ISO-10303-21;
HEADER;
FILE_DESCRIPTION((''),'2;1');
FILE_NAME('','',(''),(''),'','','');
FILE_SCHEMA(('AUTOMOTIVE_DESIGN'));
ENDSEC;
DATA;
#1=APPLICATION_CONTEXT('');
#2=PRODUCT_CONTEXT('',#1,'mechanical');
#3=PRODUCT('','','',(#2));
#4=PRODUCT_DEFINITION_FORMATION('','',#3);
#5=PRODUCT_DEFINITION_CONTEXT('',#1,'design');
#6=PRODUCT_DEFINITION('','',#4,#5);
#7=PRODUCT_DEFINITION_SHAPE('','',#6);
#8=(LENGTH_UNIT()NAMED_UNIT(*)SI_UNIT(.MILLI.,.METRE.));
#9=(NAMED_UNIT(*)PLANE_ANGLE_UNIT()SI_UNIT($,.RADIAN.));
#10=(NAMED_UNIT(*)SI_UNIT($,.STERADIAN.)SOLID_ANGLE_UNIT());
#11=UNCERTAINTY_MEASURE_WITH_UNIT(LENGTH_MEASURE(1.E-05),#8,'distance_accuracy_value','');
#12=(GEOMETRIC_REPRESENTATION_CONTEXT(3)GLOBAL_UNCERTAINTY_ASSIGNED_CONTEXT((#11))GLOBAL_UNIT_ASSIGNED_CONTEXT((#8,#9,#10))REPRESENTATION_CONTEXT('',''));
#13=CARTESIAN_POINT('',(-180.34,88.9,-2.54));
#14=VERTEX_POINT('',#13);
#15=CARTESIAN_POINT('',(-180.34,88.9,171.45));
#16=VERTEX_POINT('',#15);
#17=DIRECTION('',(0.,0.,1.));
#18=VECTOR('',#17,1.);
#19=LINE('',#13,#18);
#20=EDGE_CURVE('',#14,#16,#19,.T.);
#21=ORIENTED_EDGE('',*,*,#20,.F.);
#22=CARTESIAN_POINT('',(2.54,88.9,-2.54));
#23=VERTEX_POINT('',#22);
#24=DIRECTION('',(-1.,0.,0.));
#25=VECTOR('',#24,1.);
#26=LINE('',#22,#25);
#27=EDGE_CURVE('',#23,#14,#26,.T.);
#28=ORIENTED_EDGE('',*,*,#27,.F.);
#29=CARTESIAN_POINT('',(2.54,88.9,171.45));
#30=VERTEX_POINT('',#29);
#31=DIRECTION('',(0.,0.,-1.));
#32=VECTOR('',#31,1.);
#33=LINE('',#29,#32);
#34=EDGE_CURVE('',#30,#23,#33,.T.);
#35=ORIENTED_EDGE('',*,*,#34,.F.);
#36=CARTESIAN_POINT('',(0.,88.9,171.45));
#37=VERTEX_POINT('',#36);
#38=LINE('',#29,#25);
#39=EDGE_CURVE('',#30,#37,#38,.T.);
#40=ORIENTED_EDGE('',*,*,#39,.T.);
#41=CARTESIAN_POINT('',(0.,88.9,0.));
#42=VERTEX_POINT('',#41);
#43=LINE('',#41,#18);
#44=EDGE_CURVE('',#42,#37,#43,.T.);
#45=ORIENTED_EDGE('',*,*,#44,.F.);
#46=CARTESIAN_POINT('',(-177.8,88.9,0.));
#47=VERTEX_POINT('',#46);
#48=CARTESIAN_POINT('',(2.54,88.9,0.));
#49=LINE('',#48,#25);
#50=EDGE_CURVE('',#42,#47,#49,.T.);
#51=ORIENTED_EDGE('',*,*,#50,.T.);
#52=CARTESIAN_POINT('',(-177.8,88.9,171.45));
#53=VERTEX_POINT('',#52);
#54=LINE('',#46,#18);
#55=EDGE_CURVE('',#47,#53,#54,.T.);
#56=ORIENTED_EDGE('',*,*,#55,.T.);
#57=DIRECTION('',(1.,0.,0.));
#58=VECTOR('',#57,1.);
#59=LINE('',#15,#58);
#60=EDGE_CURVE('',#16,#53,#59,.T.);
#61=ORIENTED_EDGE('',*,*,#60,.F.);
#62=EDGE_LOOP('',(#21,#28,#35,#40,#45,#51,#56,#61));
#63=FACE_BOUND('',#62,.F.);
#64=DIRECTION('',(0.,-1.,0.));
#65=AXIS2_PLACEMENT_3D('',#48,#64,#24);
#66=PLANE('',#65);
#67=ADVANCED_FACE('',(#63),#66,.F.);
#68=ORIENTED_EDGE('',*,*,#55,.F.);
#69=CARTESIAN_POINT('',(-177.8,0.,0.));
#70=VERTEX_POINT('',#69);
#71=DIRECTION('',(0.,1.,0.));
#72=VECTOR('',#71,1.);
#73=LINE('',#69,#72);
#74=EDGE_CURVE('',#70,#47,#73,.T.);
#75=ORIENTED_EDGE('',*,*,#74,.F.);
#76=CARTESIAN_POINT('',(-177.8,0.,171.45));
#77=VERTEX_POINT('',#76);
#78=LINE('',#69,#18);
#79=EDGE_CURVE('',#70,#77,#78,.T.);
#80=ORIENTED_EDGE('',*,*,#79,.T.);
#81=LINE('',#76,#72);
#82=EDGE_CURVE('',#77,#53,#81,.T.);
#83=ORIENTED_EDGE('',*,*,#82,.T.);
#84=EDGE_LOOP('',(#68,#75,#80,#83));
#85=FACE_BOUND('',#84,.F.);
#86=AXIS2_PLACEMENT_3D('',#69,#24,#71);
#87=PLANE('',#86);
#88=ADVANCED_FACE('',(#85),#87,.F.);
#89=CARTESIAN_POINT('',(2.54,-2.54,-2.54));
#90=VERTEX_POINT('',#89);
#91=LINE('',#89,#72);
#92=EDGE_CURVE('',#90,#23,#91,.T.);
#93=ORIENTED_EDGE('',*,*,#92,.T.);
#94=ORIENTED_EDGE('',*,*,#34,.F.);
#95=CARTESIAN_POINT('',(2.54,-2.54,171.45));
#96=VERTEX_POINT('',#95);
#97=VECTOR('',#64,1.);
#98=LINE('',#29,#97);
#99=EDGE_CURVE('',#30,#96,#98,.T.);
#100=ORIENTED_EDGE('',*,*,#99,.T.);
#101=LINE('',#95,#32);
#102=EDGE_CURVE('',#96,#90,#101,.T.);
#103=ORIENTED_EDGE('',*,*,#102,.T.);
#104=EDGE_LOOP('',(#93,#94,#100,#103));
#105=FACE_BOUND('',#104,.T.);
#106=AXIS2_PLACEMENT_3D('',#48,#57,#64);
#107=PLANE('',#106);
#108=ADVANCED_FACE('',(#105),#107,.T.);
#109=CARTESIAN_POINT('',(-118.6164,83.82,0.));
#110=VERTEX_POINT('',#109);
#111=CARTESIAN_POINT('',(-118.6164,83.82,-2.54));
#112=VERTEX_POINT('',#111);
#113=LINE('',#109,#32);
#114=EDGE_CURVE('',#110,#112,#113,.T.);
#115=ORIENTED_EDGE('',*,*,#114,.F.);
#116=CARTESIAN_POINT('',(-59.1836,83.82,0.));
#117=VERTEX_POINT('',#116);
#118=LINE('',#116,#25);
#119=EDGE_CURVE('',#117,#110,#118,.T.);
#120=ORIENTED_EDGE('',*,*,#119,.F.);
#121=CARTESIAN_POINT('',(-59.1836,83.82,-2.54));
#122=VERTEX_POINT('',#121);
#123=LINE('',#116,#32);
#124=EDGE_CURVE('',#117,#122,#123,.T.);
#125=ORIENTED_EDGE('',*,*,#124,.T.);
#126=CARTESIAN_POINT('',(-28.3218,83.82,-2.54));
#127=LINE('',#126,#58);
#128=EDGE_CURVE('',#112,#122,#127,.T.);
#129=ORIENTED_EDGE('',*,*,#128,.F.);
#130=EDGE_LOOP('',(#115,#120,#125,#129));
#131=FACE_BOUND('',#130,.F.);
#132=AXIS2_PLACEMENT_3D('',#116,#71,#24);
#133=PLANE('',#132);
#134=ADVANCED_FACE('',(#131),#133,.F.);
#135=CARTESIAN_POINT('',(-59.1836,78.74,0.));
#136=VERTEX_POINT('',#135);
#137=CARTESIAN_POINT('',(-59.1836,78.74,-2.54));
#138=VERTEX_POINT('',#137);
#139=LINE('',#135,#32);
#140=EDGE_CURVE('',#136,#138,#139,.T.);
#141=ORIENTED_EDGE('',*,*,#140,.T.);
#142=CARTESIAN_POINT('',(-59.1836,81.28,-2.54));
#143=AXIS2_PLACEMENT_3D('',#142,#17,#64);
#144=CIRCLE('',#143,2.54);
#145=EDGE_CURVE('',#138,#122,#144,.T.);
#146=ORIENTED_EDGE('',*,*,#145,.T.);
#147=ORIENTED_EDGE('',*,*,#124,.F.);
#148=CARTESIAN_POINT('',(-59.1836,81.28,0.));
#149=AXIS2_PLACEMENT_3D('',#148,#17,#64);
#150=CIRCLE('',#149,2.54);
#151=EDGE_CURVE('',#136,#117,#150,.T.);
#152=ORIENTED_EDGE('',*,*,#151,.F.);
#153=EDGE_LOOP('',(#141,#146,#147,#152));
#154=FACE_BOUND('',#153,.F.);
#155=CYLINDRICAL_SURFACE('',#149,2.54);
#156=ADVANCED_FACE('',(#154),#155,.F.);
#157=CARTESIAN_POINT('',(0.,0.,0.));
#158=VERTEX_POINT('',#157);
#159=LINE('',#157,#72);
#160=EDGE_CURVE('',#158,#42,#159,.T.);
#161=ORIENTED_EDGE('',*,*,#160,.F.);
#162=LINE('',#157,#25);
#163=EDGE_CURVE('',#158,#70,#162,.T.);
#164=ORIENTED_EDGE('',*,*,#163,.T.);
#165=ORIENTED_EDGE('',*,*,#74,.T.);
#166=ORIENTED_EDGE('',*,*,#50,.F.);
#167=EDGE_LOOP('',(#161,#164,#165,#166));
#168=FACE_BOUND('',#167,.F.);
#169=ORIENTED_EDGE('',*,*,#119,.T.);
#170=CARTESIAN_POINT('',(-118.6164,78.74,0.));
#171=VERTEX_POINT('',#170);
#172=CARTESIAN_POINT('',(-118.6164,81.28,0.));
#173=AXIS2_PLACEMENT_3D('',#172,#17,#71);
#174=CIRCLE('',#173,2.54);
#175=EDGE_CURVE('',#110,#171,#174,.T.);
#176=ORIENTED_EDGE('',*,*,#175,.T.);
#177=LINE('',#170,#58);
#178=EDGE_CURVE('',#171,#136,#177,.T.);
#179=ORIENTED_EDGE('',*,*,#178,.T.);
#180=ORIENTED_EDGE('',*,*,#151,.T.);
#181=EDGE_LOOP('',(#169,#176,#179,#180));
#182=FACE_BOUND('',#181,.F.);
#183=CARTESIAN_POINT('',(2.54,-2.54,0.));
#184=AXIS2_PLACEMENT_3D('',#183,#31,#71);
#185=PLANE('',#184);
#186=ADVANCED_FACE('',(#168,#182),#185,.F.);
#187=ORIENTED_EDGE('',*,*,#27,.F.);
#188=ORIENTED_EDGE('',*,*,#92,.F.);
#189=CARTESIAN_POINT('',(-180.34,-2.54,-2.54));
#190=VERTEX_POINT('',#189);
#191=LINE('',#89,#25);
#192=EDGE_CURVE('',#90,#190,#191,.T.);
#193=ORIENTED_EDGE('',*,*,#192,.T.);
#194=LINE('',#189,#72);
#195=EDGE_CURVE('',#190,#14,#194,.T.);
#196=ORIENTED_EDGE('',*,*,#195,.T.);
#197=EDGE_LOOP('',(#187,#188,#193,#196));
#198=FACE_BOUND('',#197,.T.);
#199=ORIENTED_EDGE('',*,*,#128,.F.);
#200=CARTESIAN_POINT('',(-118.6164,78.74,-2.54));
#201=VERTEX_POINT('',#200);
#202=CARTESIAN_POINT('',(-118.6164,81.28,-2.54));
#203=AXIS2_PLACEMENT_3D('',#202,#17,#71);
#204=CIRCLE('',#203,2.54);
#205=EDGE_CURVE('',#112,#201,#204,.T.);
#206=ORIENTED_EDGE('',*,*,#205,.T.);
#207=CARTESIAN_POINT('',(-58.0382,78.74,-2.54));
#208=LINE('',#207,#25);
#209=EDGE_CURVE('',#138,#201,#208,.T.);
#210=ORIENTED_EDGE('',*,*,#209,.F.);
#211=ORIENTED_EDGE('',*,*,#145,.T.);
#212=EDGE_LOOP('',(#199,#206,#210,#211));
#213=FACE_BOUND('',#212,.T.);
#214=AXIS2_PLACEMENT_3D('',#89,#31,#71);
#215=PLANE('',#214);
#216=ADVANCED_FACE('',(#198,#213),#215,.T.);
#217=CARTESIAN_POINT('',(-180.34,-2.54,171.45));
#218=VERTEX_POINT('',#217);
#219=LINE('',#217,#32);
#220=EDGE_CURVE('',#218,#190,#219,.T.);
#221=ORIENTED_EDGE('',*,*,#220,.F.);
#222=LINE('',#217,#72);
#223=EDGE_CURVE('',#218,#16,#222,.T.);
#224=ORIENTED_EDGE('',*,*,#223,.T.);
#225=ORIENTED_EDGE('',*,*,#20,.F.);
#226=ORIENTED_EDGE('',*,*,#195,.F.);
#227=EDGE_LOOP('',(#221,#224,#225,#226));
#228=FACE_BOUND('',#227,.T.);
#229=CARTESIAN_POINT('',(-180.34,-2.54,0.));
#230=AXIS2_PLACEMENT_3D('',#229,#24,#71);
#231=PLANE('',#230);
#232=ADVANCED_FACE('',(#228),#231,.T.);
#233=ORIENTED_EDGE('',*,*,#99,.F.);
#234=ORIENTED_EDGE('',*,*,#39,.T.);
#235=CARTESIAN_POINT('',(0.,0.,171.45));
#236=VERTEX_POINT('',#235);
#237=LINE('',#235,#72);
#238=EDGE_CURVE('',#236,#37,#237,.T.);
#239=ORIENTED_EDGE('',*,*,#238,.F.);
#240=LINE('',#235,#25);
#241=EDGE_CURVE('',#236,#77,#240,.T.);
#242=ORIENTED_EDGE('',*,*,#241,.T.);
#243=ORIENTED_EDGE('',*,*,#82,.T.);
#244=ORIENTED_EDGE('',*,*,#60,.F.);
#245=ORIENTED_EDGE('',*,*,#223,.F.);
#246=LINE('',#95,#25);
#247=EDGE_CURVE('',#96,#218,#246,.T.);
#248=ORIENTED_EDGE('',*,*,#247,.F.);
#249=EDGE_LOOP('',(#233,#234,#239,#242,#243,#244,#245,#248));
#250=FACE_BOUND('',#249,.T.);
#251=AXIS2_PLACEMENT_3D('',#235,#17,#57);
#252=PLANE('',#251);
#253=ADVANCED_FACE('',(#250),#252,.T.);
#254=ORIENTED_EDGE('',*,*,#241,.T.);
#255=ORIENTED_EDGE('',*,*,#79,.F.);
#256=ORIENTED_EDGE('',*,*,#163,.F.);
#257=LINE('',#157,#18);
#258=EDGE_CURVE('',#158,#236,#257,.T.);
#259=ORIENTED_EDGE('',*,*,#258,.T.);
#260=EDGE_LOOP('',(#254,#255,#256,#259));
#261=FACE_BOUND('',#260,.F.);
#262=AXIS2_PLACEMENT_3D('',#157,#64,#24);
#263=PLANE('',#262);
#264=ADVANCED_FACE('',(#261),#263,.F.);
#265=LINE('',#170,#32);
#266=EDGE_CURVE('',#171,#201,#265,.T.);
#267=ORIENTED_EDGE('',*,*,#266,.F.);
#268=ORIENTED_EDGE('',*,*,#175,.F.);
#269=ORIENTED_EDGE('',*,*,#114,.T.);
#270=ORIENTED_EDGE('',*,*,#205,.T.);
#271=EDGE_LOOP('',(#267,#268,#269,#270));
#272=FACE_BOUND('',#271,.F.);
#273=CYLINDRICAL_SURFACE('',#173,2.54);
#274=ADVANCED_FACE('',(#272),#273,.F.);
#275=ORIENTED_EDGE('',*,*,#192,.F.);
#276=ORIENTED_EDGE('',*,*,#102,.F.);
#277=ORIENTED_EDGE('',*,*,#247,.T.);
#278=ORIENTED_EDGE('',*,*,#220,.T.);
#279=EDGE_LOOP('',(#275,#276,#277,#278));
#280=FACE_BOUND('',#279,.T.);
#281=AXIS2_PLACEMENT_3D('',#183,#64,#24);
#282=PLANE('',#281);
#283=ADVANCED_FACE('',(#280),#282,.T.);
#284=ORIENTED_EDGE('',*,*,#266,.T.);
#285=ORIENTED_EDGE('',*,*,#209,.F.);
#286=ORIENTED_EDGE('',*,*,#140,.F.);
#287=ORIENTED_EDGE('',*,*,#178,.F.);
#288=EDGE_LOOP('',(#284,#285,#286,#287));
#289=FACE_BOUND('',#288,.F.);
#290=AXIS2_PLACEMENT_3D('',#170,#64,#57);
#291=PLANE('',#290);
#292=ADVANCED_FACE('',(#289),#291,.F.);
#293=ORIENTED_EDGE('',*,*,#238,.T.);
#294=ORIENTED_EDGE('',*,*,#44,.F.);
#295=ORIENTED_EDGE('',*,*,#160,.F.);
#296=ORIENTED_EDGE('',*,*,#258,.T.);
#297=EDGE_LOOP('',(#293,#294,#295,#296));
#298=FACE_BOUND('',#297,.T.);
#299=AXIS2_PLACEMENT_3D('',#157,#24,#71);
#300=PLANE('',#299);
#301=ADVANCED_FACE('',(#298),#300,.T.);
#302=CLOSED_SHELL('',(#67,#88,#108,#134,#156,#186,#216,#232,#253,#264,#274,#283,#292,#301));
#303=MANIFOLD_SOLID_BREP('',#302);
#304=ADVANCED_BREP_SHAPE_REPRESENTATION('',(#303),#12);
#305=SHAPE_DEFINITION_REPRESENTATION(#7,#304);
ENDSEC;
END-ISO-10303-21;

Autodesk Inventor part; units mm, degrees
ref_plane "YZ Plane" through (0, 0, 0) normal (1, 0, 0) x (0, 1, 0)
ref_plane "XZ Plane" through (0, 0, 0) normal (0, 1, 0) x (-1, 0, 0)
ref_plane "XY Plane" through (0, 0, 0) normal (0, 0, 1) x (1, 0, 0)
sketch "Sketch1" plane through (0, 0, 0) normal (0, 0, 1) x (1, 0, 0)
  line L0 (0, 0) -> (-177.8, 0)
  line L1 (-177.8, 0) -> (-177.8, 88.9)
  line L2 (0, 0) -> (0, 88.9)
  line L3 (2.54, 88.9) -> (2.54, -2.54)
  line L4 (2.54, -2.54) -> (-180.34, -2.54)
  line L5 (-180.34, -2.54) -> (-180.34, 88.9)
  line L6 (-180.34, 88.9) -> (-177.8, 88.9)
  line L7 (2.54, 88.9) -> (0, 88.9)
  dimension "d0" = 177.8
  dimension "d2" = 2.54
  dimension "d13" = 88.9
extrude "Extrusion1" add sketch "Sketch1" along normal blind 171.45
sketch "Sketch2" plane through (2.54, -2.54, 0) normal (1, 0, 0) x (0, 0, -1)
  line L0 (0, 0) -> (0, 91.44) projected
  line L1 (0, 0) -> (2.54, 0)
  line L2 (2.54, 0) -> (2.54, 91.44)
  line L3 (2.54, 91.44) -> (0, 91.44)
  line L4 (0, 91.44) -> (0, 0)
  point P0 (0, 2.54)
  point P1 (1.27, 91.44)
  dimension "d5" = 2.54
extrude "Extrusion2" add sketch "Sketch2" against normal up to surface (182.88 mm away)
sketch "Sketch3" plane through (-177.8, 0, 0) normal (0, 0, 1) x (1, 0, 0)
  line L0 (56.6436, 81.28) -> (121.1564, 81.28) construction
  line L1 (59.1836, 78.74) -> (118.6164, 78.74)
  line L2 (118.6164, 83.82) -> (59.1836, 83.82)
  arc A0 (59.1836, 83.82) -> (59.1836, 78.74) centre (59.1836, 81.28) ccw
  arc A1 (118.6164, 78.74) -> (118.6164, 83.82) centre (118.6164, 81.28) ccw
  line L3 (177.8, 88.9) -> (0, 88.9) projected
  line L4 (177.8, 0) -> (0, 0) projected
  point P0 (88.9, 81.28)
  point P1 (88.9, 83.82)
  point P2 (88.9, 88.9)
  dimension "d9" = 5.08
  dimension "d10" = 81.28
extrude "Extrusion3" cut sketch "Sketch3" against normal through all
properties part number "batteryholder-ver1-1111-2017"
